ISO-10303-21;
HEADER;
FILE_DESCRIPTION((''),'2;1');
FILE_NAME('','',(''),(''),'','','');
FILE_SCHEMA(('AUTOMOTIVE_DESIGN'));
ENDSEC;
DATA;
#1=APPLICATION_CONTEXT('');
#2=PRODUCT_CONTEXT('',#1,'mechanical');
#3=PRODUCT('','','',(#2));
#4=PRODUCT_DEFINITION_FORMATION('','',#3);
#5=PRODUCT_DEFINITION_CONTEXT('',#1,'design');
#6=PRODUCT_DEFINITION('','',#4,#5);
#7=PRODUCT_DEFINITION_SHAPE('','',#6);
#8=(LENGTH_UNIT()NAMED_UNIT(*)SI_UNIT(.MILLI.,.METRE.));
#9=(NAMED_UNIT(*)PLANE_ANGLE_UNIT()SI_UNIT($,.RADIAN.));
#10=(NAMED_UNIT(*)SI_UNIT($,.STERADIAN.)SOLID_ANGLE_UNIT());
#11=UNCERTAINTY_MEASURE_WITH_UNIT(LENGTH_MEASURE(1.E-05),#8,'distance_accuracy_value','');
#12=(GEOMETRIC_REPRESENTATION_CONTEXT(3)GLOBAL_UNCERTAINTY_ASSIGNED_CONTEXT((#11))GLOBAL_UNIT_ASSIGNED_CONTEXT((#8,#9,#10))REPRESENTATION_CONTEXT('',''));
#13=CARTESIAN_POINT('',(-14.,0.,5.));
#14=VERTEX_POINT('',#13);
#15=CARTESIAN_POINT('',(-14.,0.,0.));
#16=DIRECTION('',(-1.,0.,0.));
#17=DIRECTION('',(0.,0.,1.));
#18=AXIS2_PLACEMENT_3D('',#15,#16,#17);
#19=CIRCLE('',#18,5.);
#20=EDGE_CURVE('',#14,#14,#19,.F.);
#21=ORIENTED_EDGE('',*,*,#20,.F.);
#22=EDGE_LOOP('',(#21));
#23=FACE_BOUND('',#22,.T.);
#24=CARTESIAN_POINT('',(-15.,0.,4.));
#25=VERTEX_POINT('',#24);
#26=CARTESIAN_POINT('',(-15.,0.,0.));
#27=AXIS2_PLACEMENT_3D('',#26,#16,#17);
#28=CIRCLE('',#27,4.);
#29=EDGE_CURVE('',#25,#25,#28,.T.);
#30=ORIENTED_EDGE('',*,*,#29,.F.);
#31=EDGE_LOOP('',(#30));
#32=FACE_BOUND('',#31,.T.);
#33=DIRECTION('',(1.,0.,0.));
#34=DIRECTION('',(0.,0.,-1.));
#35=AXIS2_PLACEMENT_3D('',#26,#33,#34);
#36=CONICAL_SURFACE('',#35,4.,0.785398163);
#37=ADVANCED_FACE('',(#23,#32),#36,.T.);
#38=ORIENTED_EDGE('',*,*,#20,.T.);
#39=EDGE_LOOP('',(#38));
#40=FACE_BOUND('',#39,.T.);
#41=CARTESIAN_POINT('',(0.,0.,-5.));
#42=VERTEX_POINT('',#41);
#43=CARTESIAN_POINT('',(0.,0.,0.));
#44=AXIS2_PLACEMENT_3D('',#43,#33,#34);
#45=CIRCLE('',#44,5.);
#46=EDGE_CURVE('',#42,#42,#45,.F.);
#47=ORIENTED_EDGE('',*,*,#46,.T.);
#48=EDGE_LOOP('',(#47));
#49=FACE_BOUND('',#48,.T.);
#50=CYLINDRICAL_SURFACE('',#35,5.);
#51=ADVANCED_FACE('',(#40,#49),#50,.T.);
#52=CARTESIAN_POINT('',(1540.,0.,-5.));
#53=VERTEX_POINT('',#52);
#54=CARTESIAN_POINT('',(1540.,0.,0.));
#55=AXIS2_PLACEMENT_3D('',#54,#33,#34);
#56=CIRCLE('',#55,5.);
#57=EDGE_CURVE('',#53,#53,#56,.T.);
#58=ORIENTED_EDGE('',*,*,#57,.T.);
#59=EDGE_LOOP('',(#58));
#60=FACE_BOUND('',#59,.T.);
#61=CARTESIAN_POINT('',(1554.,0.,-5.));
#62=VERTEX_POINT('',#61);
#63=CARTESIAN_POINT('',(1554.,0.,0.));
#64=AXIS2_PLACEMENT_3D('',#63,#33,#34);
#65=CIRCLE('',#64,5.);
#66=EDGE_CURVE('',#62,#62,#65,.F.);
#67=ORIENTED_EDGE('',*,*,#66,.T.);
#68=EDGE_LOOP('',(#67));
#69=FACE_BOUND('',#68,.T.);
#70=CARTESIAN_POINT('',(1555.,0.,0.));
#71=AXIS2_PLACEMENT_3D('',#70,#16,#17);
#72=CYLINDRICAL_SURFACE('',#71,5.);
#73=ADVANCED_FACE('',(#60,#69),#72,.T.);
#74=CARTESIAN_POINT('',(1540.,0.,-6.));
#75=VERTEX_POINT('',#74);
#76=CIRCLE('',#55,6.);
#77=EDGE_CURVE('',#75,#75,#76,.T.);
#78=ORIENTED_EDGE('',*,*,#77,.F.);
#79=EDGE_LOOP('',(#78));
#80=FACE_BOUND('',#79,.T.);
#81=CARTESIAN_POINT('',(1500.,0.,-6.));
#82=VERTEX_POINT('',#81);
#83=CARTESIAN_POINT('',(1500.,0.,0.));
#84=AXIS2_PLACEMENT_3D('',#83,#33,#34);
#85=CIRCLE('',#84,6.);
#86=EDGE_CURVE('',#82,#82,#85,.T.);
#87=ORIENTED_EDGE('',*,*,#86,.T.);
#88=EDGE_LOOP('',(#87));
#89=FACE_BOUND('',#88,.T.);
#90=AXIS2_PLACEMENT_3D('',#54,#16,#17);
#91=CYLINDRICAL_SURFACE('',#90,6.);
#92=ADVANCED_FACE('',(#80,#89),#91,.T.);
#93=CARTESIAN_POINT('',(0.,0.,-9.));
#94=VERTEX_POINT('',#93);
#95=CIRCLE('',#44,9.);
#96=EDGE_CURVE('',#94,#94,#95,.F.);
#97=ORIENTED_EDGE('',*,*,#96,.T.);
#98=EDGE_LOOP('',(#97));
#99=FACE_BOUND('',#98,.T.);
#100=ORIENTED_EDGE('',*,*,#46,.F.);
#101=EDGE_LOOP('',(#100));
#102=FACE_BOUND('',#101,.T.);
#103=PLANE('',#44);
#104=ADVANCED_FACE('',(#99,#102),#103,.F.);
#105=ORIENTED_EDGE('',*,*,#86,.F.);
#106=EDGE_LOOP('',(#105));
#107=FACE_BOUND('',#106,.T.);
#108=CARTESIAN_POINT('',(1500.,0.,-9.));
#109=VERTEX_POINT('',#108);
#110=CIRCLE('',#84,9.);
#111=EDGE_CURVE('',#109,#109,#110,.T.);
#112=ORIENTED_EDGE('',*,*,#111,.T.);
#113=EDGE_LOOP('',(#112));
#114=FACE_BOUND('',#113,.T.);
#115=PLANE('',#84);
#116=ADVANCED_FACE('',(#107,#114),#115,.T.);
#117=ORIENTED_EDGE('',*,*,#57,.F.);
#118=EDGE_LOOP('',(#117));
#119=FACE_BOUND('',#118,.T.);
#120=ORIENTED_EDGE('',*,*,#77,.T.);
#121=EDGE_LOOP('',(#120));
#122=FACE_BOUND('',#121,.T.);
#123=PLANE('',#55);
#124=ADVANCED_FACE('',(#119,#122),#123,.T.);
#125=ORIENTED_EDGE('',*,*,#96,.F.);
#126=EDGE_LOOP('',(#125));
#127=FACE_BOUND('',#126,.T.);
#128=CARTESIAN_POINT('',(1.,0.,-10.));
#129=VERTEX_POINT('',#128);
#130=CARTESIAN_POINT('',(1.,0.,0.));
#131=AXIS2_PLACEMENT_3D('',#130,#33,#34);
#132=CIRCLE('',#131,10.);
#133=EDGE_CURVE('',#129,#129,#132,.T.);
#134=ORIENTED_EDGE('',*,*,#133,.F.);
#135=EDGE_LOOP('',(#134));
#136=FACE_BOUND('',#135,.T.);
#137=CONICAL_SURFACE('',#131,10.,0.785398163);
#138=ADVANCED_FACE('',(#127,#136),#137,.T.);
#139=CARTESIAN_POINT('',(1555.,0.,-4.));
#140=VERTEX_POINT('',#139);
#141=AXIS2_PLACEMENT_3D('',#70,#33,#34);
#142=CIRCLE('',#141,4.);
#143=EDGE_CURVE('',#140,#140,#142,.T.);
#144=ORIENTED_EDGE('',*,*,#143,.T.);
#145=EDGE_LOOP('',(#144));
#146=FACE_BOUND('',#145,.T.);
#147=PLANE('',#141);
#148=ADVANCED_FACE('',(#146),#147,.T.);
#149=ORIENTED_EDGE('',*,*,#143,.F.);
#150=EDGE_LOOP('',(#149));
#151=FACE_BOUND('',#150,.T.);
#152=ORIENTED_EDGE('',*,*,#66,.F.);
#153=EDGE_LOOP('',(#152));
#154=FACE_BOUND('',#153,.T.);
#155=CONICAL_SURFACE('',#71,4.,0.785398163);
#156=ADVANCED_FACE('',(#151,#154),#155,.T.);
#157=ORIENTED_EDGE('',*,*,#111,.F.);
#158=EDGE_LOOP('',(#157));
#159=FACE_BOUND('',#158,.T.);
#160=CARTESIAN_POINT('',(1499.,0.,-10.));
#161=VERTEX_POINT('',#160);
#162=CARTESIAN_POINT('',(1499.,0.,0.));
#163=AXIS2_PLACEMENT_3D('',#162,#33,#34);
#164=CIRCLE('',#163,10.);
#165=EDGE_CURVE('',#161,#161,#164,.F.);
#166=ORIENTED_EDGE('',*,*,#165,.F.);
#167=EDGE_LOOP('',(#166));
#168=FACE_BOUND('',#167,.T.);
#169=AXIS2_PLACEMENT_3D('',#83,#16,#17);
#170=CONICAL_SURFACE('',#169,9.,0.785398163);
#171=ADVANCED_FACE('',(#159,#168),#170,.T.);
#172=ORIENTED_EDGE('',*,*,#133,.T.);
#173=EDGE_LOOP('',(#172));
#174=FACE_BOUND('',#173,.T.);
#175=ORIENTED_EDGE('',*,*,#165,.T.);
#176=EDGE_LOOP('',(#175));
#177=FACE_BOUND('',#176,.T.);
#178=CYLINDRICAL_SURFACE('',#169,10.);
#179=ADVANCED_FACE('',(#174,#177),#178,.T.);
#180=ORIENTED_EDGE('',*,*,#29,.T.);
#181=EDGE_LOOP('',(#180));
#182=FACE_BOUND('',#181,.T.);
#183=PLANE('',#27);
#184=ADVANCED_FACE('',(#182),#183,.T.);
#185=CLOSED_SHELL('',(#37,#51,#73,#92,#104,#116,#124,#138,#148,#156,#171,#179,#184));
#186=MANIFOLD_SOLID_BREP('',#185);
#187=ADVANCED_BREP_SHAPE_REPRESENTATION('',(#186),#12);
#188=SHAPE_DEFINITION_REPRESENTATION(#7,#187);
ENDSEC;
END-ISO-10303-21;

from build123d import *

# Parameters (mm, degrees)
SKETCH_1_R      = 10
EXTRUDE_1_DEPTH = 1500
SKETCH_2_R      = 5
EXTRUDE_3_DEPTH = 15
SKETCH_3_R      = 6
EXTRUDE_4_DEPTH = 40
EXTRUDE_START   = 15
SKETCH_4_R      = 5
EXTRUDE_5_DEPTH = 15
CHAMFER_4_SIZE  = 1
CHAMFER_5_SIZE  = 1


with BuildPart() as part:
    # Эскиз1 → Бобышка-Вытянуть1 (new body)
    with BuildSketch(Plane(origin=(0, 0, 0), x_dir=(0, 0, -1), z_dir=(1, 0, 0))):
        Circle(SKETCH_1_R)
    extrude(amount=EXTRUDE_1_DEPTH)

    # Эскиз2 → Бобышка-Вытянуть3 (add)
    with BuildSketch(Plane.ZY):
        with Locations(Location((0, 0, 0), (0, 0, 180))):
            Circle(SKETCH_2_R)
    extrude(amount=EXTRUDE_3_DEPTH)

    # Эскиз3 → Бобышка-Вытянуть4 (add)
    with BuildSketch(Plane(origin=(1500, 0, 0), x_dir=(0, 0, -1), z_dir=(1, 0, 0))):
        Circle(SKETCH_3_R)
    extrude(amount=EXTRUDE_4_DEPTH)

    # Эскиз4 → Бобышка-Вытянуть5 (add)
    with BuildSketch(Plane(origin=(1540, 0, 0), x_dir=(0, 0, -1), z_dir=(1, 0, 0)).offset(EXTRUDE_START)):
        Circle(SKETCH_4_R)
    extrude(amount=-EXTRUDE_5_DEPTH)

    # Фаска4
    chamfer_4_edges = [part.edges().sort_by_distance(p)[0] for p in [
        (1555, 0, 5),
        (1500, 0, 10),
    ]]
    chamfer(chamfer_4_edges, length=CHAMFER_4_SIZE)

    # Фаска5
    chamfer_5_edges = [part.edges().sort_by_distance(p)[0] for p in [
        (0, 0, 10),
        (-15, 0, 5),
    ]]
    chamfer(chamfer_5_edges, length=CHAMFER_5_SIZE)


solid = part.part
